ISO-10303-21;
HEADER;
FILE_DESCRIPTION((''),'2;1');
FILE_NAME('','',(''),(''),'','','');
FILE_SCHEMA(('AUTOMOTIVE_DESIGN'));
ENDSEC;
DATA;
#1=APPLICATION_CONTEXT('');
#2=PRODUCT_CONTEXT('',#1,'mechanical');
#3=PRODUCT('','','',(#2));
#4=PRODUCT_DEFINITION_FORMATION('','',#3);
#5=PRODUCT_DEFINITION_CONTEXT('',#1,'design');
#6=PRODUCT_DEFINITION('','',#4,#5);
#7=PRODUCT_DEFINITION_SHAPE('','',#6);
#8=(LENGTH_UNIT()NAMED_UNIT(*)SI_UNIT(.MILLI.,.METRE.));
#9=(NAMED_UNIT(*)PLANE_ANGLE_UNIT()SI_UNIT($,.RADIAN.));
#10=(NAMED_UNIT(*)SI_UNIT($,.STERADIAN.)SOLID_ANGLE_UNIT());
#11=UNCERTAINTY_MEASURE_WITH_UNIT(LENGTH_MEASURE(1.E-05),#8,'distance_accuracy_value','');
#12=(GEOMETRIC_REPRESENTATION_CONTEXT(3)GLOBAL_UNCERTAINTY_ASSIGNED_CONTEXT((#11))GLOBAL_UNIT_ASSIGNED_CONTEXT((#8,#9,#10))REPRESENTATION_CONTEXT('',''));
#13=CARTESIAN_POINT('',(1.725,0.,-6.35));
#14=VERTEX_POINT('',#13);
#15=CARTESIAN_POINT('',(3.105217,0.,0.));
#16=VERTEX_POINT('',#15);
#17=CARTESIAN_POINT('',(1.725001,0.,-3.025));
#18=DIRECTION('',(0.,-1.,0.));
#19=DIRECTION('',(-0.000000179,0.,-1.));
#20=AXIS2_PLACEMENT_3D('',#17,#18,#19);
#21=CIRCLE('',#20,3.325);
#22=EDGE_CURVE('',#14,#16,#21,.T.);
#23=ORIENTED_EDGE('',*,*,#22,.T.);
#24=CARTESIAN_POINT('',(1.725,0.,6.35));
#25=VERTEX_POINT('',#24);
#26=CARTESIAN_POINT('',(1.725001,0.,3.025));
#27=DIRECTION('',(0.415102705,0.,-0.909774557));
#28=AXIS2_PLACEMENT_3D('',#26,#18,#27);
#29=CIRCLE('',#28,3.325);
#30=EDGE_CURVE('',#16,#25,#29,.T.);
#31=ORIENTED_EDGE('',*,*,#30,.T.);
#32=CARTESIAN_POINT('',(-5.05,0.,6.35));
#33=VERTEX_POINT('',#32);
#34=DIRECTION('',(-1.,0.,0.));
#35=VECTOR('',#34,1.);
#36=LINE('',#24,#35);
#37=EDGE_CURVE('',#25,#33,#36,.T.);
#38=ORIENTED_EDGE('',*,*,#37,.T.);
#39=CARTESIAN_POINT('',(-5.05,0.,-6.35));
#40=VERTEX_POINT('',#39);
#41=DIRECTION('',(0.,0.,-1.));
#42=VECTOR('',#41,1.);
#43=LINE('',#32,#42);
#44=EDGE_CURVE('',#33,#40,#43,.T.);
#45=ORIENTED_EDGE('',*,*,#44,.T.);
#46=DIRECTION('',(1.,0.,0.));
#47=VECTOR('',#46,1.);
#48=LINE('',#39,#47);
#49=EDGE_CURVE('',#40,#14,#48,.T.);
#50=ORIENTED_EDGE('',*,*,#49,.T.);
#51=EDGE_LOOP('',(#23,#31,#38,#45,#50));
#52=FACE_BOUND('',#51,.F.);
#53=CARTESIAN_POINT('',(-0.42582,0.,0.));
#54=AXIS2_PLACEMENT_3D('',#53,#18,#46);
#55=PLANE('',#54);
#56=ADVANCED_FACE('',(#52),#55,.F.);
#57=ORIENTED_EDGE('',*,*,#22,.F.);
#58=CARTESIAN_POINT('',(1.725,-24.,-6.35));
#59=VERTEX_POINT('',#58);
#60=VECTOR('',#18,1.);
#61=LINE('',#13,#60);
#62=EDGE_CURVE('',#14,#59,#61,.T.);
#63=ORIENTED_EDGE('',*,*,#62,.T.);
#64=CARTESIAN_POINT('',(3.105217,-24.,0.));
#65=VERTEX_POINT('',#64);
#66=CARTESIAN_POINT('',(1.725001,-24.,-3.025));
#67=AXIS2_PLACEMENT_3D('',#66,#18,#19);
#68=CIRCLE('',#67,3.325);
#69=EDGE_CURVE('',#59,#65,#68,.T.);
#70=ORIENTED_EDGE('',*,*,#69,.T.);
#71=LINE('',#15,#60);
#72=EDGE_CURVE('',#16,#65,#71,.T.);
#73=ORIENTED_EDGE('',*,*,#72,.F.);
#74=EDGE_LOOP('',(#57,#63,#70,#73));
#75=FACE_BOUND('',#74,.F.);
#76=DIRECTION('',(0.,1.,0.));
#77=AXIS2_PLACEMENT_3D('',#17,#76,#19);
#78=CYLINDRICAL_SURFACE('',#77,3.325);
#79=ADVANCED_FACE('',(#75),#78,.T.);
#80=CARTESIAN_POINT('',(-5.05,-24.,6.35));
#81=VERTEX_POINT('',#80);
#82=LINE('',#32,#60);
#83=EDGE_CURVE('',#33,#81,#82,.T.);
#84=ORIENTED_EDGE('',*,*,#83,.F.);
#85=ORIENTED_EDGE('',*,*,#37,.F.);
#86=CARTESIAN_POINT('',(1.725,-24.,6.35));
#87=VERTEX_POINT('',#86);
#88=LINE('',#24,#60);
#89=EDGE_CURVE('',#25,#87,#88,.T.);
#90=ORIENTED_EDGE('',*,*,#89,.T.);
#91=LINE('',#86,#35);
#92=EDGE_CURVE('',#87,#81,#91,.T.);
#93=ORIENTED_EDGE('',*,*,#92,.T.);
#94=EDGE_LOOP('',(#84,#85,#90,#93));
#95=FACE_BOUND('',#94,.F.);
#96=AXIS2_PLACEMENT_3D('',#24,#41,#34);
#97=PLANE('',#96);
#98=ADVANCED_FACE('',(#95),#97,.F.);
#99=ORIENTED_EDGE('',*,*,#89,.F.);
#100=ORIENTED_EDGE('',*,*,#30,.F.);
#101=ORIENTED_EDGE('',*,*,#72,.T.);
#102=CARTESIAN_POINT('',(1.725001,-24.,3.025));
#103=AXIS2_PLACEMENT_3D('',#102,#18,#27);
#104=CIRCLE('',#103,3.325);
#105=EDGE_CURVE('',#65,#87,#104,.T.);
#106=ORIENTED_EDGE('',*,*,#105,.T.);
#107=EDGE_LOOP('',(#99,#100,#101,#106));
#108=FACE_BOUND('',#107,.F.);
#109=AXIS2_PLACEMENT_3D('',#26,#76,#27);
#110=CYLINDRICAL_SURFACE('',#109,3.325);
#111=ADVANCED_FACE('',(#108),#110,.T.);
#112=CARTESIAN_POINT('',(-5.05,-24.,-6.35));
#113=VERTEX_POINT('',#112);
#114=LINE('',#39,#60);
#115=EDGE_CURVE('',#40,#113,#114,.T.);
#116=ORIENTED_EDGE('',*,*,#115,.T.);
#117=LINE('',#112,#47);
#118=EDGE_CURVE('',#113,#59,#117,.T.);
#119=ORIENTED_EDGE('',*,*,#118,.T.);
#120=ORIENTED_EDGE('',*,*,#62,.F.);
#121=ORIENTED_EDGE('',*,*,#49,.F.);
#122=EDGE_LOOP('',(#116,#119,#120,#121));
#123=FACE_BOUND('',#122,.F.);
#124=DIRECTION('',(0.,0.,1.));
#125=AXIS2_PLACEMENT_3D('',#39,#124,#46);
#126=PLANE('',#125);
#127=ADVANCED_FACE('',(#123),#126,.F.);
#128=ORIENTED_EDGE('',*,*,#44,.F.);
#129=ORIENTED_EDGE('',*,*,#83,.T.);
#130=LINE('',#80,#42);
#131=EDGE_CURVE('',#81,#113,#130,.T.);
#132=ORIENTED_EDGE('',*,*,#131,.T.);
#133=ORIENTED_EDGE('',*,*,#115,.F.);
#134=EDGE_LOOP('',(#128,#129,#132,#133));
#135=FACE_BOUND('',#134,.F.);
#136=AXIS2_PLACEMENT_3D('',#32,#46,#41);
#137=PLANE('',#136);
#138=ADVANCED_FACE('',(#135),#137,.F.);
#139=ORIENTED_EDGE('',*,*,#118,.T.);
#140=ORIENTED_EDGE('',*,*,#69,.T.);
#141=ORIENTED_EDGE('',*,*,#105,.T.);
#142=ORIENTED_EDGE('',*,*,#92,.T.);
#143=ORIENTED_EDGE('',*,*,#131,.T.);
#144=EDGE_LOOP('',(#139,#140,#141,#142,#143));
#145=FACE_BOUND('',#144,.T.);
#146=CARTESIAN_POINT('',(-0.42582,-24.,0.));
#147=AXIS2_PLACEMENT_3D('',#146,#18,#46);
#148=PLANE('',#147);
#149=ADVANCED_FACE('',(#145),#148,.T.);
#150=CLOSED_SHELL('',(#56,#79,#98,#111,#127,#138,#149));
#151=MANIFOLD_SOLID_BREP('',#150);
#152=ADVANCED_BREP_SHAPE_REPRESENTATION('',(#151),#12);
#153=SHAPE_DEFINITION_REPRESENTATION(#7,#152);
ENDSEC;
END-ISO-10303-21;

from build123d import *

# Parameters (mm, degrees)
F1_DEPTH = 24


with BuildPart() as f1:
    # F0 (on Front) → F1 (new body)
    with BuildSketch(Plane.XZ):
        with BuildLine():
            Line((1.725, 6.35), (-5.05, 6.35))
            Line((-5.05, 6.35), (-5.05, -6.35))
            Line((-5.05, -6.35), (1.725, -6.35))
            ThreePointArc((1.725, -6.35), (4.974135, -3.731222), (3.105217, 0))
            ThreePointArc((3.105217, 0), (4.974135, 3.731222), (1.725, 6.35))
        make_face()
    extrude(amount=F1_DEPTH)


solid = f1.part
